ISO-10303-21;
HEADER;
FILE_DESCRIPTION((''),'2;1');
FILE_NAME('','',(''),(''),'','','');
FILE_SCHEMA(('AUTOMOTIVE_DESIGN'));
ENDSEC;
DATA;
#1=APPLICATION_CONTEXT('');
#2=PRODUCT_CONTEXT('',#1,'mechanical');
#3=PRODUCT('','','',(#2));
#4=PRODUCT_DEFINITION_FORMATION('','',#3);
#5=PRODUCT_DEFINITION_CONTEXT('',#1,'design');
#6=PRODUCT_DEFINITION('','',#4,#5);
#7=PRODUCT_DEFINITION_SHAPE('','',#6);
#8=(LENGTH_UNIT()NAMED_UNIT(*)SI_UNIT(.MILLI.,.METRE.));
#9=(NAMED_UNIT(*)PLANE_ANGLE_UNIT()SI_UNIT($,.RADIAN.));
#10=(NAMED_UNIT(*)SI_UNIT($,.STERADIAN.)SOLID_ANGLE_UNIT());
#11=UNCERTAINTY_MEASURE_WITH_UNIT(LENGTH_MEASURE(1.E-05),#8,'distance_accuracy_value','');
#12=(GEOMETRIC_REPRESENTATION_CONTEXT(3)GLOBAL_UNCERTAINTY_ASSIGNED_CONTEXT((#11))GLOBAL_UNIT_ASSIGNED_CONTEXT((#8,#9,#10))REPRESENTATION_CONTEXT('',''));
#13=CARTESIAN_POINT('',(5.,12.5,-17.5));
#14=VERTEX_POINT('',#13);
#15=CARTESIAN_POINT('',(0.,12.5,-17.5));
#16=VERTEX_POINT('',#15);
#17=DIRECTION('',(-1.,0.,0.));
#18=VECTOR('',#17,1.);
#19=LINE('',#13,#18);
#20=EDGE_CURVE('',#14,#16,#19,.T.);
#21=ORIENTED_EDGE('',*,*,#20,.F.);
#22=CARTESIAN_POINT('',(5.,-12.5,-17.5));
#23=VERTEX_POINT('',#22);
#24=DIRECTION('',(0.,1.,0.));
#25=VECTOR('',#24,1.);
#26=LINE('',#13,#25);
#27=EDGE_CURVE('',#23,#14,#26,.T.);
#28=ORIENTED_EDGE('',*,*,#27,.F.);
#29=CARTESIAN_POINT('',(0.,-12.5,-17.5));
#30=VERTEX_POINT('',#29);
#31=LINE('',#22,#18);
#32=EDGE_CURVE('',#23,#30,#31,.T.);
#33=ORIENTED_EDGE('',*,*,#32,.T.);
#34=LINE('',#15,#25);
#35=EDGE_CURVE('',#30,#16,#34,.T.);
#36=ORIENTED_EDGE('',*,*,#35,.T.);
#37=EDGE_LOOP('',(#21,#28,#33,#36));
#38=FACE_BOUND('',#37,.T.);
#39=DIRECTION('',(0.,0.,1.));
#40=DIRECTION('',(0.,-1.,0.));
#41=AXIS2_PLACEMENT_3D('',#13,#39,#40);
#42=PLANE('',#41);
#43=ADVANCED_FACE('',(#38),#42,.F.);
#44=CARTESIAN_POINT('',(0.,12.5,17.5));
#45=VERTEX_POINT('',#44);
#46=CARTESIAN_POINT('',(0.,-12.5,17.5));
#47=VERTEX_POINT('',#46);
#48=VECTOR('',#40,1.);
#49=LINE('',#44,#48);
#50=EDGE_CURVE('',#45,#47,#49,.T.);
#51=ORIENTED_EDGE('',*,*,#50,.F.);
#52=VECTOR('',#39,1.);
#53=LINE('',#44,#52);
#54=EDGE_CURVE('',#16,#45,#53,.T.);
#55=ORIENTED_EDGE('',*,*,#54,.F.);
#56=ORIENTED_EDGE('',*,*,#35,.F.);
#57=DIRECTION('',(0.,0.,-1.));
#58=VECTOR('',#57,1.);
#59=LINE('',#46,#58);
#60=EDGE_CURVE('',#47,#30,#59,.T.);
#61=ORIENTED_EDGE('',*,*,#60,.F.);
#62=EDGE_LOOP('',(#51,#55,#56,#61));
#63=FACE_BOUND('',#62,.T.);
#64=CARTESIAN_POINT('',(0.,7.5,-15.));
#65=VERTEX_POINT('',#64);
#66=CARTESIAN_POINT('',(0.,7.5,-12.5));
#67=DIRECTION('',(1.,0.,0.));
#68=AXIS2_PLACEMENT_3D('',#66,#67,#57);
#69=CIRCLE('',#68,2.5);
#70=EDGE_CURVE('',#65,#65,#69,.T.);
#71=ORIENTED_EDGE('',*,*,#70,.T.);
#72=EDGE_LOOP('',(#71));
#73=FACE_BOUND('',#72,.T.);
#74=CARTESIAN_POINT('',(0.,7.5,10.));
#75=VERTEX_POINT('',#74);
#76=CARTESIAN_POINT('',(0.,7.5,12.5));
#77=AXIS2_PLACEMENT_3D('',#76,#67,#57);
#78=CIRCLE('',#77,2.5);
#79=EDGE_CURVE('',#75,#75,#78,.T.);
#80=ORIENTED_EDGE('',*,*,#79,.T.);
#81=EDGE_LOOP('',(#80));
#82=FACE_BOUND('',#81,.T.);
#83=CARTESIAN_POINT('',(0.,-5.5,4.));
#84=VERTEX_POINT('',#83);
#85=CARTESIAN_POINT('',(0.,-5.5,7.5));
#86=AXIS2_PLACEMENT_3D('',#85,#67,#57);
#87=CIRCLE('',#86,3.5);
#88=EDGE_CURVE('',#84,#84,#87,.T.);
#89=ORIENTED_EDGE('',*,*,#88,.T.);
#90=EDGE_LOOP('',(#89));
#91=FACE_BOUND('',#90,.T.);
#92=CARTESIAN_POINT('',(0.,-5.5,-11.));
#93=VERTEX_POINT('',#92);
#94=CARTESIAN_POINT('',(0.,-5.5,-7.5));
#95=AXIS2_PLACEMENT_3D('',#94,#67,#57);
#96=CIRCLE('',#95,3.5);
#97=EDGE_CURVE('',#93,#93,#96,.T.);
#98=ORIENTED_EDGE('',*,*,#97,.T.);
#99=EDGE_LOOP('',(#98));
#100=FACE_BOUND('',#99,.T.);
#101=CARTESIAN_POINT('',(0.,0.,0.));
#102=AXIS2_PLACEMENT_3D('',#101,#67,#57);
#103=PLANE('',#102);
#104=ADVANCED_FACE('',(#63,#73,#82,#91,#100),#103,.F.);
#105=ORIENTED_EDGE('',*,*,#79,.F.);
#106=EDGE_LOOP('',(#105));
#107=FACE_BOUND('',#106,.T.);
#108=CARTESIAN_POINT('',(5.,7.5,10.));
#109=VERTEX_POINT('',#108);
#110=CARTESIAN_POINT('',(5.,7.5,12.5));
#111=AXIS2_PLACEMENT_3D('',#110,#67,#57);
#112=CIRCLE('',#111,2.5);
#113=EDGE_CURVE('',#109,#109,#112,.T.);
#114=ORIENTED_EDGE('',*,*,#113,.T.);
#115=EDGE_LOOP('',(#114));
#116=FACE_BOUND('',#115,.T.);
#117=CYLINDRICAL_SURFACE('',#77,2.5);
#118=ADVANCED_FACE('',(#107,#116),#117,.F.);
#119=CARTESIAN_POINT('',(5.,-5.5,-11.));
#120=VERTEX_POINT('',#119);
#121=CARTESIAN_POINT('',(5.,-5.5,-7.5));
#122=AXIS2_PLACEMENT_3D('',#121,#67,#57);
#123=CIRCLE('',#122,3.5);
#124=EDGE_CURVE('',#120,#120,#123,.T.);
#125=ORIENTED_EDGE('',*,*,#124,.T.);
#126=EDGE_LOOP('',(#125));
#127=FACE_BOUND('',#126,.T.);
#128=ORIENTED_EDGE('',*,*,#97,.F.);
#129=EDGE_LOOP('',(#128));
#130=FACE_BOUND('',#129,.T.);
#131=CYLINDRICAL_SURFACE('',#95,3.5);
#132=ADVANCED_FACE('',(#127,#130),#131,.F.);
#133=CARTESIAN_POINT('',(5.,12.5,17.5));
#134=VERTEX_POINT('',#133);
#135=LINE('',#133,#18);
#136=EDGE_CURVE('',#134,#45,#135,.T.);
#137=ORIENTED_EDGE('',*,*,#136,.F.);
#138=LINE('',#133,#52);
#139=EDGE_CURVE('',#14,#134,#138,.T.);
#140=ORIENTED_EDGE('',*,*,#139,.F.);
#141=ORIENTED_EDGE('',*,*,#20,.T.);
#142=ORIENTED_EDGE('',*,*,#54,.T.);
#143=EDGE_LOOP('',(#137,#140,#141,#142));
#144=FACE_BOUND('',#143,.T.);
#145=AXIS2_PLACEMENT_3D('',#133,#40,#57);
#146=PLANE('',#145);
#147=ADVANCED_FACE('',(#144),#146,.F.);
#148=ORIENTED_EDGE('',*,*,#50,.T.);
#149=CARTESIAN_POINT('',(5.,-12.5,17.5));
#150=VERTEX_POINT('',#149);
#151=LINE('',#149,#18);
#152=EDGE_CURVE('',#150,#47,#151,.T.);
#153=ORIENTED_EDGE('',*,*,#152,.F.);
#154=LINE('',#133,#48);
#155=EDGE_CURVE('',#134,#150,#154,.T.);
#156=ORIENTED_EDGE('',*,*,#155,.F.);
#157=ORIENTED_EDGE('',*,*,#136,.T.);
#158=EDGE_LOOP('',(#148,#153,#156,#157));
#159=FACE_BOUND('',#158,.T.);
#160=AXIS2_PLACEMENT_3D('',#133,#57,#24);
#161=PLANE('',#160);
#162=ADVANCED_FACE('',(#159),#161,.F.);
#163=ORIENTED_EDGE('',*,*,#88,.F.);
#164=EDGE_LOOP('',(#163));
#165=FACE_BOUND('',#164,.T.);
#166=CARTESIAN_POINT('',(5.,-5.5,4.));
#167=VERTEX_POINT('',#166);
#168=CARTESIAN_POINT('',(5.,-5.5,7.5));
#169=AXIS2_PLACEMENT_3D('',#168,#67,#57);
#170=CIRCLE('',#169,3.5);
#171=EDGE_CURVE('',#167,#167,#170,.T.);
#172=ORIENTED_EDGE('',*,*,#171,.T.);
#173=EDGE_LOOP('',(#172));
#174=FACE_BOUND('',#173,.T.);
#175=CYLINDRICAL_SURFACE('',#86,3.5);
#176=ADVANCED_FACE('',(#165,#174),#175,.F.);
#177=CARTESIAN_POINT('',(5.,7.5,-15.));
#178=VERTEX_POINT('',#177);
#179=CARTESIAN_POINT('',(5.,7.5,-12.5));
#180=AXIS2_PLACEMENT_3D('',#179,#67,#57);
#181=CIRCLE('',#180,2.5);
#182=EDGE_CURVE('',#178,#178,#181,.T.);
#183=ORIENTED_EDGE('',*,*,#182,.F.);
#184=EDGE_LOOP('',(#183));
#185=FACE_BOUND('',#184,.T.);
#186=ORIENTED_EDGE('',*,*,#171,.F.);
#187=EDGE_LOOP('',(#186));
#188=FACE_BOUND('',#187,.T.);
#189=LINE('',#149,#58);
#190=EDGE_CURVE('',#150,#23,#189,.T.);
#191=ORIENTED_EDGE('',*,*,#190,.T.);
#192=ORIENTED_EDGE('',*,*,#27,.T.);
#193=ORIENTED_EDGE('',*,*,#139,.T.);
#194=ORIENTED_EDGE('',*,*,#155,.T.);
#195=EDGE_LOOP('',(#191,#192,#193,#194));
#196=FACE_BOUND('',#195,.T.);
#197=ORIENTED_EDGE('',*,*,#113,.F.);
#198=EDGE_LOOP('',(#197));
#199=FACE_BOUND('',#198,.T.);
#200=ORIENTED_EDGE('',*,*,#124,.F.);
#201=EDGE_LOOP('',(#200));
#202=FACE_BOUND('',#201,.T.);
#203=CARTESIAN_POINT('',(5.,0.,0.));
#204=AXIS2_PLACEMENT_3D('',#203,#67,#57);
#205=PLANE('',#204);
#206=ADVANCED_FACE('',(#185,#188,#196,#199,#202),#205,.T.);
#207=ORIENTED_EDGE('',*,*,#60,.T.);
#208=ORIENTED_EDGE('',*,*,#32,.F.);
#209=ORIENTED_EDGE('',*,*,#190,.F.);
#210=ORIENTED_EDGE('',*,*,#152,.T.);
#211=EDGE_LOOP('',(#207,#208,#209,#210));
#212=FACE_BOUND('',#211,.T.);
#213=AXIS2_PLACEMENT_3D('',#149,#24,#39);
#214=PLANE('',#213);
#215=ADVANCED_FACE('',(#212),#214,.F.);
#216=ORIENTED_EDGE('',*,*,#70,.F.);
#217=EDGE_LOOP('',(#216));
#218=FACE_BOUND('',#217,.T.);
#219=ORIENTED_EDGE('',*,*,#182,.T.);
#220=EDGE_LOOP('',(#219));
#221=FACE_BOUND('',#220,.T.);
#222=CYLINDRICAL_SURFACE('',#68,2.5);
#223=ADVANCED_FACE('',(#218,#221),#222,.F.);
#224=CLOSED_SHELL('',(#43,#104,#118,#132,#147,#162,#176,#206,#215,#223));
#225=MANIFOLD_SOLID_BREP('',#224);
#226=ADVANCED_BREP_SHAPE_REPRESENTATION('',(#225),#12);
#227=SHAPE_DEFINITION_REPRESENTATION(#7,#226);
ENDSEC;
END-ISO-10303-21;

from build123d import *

# Parameters (mm, degrees)
SKETCH1_W           = 35
SKETCH1_H           = 25
BOSS_EXTRUDE1_DEPTH = 5
SKETCH2_R           = 2.5
CUT_EXTRUDE1_DEPTH  = 23.079402166
SKETCH3_R           = 3.5
CUT_EXTRUDE2_DEPTH  = 23.079402166


with BuildPart() as part:
    # Sketch1 → Boss-Extrude1 (new body)
    with BuildSketch(Plane(origin=(0, 0, 0), x_dir=(0, 0, -1), z_dir=(1, 0, 0))):
        Rectangle(SKETCH1_W, SKETCH1_H)
    extrude(amount=BOSS_EXTRUDE1_DEPTH)

    # Sketch2 → Cut-Extrude1 (cut, through all)
    with BuildSketch(Plane(origin=(5, 0, 0), x_dir=(0, 0, -1), z_dir=(1, 0, 0))):
        with Locations((-12.5, 7.5)):
            Circle(SKETCH2_R)
        with Locations((12.5, 7.5)):
            Circle(SKETCH2_R)
    extrude(amount=-CUT_EXTRUDE1_DEPTH, mode=Mode.SUBTRACT)

    # Sketch3 → Cut-Extrude2 (cut, through all)
    with BuildSketch(Plane(origin=(5, 0, 0), x_dir=(0, 0, -1), z_dir=(1, 0, 0))):
        with Locations((-7.5, -5.5)):
            Circle(SKETCH3_R)
        with Locations((7.5, -5.5)):
            Circle(SKETCH3_R)
    extrude(amount=-CUT_EXTRUDE2_DEPTH, mode=Mode.SUBTRACT)


solid = part.part
